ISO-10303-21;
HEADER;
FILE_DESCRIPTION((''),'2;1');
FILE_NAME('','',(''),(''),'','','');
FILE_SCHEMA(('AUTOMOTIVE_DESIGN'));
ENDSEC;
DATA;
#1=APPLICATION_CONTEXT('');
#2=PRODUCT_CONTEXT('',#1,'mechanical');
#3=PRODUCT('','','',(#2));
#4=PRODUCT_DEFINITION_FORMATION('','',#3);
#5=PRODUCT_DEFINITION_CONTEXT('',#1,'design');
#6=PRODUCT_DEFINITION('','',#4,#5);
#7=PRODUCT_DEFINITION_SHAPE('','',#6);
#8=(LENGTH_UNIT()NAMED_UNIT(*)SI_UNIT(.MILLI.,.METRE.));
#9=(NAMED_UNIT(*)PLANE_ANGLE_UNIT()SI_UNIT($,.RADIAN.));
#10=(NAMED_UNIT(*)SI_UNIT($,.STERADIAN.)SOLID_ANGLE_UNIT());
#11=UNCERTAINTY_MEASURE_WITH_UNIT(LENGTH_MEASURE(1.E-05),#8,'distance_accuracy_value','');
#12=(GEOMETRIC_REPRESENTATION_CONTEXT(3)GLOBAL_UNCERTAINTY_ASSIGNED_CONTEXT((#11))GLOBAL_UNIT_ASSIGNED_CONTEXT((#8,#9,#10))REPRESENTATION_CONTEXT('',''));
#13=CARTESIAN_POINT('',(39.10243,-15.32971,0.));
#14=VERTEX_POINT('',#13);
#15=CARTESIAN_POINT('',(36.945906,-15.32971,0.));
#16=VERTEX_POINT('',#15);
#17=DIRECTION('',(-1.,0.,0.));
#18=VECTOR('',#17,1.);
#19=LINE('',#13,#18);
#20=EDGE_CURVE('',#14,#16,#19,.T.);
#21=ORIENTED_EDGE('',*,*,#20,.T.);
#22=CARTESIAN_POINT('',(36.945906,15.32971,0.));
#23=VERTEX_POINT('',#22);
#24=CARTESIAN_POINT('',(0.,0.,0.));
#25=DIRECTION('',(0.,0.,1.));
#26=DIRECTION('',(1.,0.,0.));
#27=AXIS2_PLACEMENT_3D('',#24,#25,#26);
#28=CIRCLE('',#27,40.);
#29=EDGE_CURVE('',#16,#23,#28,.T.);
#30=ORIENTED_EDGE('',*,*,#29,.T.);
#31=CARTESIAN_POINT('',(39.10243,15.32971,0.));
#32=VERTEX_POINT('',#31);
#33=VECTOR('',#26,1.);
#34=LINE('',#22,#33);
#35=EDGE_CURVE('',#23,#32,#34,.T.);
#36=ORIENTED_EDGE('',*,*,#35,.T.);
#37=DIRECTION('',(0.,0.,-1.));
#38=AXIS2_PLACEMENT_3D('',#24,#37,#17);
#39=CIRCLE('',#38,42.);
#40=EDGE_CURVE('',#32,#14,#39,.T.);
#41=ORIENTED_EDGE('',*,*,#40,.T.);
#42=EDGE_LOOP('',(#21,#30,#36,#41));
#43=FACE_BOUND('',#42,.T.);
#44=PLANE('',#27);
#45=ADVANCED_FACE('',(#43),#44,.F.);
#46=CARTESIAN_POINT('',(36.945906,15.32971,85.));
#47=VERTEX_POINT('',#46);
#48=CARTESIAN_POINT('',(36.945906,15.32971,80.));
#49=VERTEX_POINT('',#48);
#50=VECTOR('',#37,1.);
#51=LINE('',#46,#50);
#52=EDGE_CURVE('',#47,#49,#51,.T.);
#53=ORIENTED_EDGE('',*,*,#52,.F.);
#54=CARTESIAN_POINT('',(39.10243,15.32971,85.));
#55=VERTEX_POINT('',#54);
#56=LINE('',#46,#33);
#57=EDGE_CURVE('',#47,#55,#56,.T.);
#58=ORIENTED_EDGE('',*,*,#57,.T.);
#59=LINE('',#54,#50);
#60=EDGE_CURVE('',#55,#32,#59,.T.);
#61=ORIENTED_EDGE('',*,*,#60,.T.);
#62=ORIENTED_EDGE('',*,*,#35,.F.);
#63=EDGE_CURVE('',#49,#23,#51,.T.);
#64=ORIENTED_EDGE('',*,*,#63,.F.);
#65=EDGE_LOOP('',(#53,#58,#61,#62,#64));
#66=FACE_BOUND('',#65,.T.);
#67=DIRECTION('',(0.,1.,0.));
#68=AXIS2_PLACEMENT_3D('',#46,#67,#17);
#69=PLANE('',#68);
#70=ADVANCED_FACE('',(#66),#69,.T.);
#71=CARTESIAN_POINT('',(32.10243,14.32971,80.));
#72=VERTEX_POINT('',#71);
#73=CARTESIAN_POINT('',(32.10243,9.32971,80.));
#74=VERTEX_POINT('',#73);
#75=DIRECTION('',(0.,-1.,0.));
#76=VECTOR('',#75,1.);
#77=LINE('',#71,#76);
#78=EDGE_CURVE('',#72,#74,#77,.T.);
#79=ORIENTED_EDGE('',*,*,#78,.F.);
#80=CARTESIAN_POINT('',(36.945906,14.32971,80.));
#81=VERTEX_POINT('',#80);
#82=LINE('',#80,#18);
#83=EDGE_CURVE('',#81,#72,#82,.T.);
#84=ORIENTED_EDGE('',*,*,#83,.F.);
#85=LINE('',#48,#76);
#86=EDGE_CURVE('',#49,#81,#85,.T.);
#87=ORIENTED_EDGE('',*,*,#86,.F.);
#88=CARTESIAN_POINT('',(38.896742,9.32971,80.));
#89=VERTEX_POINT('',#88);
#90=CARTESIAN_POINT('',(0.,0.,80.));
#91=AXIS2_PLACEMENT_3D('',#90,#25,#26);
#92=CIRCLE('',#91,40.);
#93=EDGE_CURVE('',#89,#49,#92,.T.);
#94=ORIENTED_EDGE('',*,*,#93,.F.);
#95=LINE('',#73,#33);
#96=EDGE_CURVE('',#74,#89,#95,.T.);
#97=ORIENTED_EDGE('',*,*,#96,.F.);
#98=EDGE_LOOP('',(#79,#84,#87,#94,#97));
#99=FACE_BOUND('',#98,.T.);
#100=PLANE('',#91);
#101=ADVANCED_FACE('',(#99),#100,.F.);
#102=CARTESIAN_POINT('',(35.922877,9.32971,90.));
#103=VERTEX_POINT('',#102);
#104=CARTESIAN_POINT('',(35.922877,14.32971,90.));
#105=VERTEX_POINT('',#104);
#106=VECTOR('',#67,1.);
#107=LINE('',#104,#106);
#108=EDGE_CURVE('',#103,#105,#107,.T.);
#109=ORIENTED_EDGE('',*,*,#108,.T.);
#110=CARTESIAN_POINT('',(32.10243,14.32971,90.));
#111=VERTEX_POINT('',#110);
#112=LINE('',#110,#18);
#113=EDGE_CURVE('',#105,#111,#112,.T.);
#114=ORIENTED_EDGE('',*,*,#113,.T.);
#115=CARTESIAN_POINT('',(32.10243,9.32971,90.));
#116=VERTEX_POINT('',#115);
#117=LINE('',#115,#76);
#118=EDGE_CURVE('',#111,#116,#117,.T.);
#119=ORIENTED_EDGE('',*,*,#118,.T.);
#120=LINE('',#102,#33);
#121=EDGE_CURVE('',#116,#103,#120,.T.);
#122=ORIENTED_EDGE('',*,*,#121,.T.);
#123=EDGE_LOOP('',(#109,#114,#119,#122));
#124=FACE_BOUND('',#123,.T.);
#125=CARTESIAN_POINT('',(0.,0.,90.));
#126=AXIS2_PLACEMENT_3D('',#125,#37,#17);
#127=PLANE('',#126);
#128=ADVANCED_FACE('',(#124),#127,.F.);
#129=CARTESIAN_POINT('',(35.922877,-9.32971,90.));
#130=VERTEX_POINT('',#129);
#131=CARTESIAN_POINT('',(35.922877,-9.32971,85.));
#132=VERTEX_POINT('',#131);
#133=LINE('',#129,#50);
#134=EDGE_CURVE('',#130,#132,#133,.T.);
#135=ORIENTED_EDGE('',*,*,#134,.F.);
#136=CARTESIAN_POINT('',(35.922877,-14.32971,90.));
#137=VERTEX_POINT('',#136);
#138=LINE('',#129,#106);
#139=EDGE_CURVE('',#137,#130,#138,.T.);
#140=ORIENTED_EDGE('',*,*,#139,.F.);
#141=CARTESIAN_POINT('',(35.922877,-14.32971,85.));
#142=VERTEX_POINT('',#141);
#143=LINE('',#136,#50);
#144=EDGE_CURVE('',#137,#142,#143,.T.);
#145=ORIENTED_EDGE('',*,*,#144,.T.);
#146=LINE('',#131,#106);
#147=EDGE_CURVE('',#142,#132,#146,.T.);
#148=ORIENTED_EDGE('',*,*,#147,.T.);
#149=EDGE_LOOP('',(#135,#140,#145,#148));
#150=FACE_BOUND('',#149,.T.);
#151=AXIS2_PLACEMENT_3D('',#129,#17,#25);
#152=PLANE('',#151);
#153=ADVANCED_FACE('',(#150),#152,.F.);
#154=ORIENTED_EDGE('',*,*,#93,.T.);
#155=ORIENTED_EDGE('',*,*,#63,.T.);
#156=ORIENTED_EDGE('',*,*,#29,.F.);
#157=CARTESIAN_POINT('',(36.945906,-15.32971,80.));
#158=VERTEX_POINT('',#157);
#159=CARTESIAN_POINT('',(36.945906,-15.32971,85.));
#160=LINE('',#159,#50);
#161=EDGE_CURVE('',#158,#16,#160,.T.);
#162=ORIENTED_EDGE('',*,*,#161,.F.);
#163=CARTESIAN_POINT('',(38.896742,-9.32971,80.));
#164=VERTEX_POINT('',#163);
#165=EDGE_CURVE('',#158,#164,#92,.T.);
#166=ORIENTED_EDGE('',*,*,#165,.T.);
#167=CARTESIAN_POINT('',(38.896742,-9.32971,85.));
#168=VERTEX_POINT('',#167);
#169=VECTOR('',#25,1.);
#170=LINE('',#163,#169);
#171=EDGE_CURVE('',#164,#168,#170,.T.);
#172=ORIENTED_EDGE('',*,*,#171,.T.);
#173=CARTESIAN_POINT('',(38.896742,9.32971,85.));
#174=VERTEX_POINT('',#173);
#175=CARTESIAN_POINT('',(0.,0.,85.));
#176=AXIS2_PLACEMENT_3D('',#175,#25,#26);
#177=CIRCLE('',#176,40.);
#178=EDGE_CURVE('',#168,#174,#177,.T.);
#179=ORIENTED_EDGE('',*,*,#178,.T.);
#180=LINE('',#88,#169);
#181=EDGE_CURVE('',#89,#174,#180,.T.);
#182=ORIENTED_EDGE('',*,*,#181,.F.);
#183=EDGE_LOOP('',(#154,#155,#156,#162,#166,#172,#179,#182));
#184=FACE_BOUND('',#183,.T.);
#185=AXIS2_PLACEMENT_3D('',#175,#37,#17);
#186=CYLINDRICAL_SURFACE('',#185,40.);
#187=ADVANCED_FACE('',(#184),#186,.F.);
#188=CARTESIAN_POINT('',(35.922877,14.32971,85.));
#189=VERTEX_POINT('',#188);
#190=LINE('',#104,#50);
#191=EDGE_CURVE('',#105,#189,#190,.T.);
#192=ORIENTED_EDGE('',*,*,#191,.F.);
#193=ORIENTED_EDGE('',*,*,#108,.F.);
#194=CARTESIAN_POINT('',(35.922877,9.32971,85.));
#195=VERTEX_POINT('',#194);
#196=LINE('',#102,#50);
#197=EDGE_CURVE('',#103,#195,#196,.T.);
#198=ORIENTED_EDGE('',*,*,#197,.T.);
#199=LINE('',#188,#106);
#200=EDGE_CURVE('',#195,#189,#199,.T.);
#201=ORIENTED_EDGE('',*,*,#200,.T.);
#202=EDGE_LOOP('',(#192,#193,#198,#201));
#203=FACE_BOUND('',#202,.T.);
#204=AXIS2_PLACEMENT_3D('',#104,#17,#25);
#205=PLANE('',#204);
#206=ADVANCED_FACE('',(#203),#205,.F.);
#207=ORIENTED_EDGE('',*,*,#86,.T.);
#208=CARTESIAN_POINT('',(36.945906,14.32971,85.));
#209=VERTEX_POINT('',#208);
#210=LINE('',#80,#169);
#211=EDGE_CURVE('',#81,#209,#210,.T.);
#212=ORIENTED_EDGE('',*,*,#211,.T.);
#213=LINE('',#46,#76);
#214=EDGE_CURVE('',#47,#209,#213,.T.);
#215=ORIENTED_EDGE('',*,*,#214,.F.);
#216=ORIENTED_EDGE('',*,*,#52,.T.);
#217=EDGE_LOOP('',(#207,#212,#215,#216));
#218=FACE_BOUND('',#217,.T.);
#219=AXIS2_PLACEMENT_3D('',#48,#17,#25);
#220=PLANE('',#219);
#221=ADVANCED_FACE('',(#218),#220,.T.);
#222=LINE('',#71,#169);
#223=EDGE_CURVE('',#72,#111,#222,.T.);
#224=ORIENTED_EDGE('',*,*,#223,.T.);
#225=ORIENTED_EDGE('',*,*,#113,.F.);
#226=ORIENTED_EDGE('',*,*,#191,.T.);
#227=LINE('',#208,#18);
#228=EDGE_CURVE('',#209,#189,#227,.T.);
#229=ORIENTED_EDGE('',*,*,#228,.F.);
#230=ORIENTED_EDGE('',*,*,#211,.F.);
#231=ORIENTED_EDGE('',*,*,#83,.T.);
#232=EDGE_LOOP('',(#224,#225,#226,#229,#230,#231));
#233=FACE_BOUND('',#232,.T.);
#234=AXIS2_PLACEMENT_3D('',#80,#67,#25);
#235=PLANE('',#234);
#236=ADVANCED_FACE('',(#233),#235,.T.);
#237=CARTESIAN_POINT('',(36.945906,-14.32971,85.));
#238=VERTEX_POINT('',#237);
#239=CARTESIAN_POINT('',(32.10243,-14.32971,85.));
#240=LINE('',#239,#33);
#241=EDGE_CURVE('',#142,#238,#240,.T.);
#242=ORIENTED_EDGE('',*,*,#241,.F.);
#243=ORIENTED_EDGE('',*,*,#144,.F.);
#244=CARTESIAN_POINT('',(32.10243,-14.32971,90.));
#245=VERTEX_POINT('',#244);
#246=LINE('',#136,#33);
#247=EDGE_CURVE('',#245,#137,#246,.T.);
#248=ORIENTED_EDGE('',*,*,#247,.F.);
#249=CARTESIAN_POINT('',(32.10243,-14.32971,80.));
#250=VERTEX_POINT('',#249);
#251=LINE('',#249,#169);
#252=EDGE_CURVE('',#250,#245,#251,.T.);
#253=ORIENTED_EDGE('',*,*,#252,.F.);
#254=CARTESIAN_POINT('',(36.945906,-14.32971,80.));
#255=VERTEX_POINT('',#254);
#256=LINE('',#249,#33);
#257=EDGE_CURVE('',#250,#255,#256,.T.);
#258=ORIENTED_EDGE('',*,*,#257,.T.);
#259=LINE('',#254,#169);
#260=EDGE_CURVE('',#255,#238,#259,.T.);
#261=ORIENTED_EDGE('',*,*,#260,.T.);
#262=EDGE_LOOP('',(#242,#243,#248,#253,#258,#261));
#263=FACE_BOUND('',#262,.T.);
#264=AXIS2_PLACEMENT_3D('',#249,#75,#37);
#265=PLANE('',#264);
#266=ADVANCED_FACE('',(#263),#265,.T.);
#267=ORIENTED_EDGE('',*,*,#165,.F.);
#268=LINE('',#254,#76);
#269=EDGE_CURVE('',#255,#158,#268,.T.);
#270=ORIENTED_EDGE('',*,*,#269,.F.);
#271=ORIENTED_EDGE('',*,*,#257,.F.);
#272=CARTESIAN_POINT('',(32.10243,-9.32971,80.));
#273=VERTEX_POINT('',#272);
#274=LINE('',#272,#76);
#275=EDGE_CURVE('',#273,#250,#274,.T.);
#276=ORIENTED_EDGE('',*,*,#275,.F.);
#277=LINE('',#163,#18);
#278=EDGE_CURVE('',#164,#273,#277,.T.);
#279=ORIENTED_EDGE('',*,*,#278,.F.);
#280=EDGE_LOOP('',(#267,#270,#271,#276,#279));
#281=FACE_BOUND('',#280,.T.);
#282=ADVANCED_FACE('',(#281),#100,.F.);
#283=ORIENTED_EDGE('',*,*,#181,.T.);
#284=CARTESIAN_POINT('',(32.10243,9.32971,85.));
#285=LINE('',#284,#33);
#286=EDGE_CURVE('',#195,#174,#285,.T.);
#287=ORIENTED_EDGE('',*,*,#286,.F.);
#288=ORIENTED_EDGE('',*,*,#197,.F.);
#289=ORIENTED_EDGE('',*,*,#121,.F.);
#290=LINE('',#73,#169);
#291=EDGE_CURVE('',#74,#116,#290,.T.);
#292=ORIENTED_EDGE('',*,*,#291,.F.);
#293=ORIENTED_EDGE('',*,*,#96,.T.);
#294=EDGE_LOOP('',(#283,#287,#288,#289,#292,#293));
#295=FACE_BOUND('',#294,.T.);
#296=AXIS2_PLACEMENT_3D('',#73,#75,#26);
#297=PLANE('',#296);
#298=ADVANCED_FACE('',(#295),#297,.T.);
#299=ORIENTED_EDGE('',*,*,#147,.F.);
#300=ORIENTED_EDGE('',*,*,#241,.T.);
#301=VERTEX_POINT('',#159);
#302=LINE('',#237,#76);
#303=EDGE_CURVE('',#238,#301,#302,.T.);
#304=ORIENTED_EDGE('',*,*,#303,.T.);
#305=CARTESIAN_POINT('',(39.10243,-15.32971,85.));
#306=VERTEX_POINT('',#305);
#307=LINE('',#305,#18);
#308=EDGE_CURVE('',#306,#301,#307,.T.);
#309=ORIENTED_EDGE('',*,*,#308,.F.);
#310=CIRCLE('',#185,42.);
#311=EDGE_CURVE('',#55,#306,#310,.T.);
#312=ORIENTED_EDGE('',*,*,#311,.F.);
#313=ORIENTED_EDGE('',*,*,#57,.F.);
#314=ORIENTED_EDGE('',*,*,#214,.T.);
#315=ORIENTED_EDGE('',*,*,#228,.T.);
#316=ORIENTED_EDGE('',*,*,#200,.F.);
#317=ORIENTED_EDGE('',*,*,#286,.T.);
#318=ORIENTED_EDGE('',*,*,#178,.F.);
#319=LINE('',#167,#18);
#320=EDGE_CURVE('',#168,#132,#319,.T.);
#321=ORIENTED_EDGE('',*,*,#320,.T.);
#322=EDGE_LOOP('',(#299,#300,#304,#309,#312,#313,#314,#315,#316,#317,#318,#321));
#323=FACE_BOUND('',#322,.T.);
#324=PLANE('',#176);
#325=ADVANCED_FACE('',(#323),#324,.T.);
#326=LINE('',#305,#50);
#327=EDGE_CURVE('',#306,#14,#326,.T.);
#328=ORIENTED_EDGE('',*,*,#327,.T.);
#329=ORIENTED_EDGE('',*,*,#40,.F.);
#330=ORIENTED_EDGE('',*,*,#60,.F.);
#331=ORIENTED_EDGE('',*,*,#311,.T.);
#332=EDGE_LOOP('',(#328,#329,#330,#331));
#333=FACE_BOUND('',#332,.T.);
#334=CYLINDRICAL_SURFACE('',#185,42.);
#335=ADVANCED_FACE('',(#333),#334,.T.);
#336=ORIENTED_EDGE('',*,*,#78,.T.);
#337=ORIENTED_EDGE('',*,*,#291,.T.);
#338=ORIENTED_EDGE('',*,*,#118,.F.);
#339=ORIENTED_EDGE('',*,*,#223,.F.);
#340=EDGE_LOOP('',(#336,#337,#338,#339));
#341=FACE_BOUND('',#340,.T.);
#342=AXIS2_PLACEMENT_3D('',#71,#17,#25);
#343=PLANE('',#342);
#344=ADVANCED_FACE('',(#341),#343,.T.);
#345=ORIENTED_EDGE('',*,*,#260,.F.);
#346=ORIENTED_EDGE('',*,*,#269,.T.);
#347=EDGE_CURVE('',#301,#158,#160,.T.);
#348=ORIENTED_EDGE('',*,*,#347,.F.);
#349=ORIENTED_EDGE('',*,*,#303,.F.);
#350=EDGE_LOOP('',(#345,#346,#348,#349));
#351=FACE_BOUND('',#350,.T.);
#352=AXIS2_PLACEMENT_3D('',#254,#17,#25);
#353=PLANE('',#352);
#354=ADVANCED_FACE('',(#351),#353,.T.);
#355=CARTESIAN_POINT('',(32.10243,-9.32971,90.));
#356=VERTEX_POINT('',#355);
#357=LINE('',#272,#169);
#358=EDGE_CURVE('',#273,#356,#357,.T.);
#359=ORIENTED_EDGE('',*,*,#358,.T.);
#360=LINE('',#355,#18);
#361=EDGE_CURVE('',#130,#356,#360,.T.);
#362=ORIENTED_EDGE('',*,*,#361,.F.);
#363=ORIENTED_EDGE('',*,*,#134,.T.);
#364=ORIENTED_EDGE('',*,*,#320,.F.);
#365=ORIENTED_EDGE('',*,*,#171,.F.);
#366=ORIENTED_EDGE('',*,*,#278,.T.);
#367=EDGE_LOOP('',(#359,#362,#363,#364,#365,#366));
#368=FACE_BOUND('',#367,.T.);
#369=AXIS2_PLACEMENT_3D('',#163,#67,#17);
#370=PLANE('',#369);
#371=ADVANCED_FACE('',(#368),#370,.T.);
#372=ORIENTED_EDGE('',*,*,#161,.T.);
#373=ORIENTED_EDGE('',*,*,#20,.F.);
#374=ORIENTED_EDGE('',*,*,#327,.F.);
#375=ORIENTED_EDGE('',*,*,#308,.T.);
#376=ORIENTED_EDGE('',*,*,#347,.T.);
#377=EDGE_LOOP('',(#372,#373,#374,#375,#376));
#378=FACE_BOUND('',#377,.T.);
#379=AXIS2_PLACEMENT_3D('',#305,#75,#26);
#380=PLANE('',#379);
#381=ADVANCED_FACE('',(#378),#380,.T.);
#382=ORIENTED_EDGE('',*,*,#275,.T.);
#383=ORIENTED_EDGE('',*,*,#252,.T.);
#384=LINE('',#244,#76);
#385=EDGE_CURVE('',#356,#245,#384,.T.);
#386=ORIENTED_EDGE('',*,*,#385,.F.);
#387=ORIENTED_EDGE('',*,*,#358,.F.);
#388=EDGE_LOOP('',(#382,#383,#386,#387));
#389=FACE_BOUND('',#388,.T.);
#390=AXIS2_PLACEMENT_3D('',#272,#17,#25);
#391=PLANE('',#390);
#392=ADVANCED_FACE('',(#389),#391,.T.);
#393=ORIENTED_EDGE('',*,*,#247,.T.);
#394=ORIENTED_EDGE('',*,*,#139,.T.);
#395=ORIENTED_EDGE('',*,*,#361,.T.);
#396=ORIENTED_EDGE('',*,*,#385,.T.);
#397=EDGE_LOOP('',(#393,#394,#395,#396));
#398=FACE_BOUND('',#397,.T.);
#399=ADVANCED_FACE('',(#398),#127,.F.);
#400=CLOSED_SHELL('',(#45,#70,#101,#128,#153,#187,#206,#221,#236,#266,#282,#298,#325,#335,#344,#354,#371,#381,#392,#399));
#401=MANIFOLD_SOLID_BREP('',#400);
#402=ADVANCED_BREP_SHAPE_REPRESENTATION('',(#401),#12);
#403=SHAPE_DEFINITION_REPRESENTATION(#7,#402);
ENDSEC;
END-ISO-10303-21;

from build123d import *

# Parameters (mm, degrees)
EXTRUDE_1_DEPTH = 85
EXTRUDE_START   = -5
EXTRUDE_2_DEPTH = 5
SKETCH_3_W      = 3.820447187
SKETCH_3_H      = 5
EXTRUDE_3_DEPTH = 5
EXTRUDE_4_DEPTH = 5
SKETCH_5_W      = 3.820447187
SKETCH_5_H      = 5
EXTRUDE_5_DEPTH = 5


with BuildPart() as part:
    # Эскиз1 → Бобышка-Вытянуть1 (new body)
    with BuildSketch(Plane(origin=(0, 0, 0), x_dir=(-1, 0, 0), z_dir=(0, 0, -1))):
        with BuildLine():
            Line((-36.94590636, 15.329709821), (-39.102429551, 15.329709821))
            ThreePointArc((-39.102429551, 15.329709821), (-42, 0), (-39.102429551, -15.329709821))
            Line((-39.102429551, -15.329709821), (-36.94590636, -15.329709821))
            ThreePointArc((-36.94590636, -15.329709821), (-40, 0), (-36.94590636, 15.329709821))
        make_face()
    extrude(amount=-EXTRUDE_1_DEPTH)

    # Эскиз2 → Бобышка-Вытянуть2 (add)
    with BuildSketch(Plane.XY.offset(85).offset(EXTRUDE_START)):
        with BuildLine():
            Line((36.94590636, 15.329709821), (36.94590636, 14.329709821))
            Line((36.94590636, 14.329709821), (32.102429551, 14.329709821))
            Line((32.102429551, 14.329709821), (32.102429551, 9.329709821))
            Line((32.102429551, 9.329709821), (38.896741697, 9.329709821))
            ThreePointArc((38.896741697, 9.329709821), (38.039805679, 12.368232853), (36.94590636, 15.329709821))
        make_face()
    extrude(amount=EXTRUDE_2_DEPTH)

    # Эскиз3 → Бобышка-Вытянуть3 (add)
    with BuildSketch(Plane.XY.offset(85)):
        with Locations((34.012653144, 11.829709821)):
            Rectangle(SKETCH_3_W, SKETCH_3_H)
    extrude(amount=EXTRUDE_3_DEPTH)

    # Эскиз4 → Бобышка-Вытянуть4 (add)
    with BuildSketch(Plane.XY.offset(85).offset(EXTRUDE_START)):
        with BuildLine():
            Line((32.102429551, -14.329709821), (36.94590636, -14.329709821))
            Line((36.94590636, -14.329709821), (36.94590636, -15.329709821))
            ThreePointArc((36.94590636, -15.329709821), (38.039805679, -12.368232853), (38.896741697, -9.329709821))
            Line((38.896741697, -9.329709821), (32.102429551, -9.329709821))
            Line((32.102429551, -9.329709821), (32.102429551, -14.329709821))
        make_face()
    extrude(amount=EXTRUDE_4_DEPTH)

    # Эскиз5 → Бобышка-Вытянуть5 (add)
    with BuildSketch(Plane.XY.offset(85)):
        with Locations((34.012653144, -11.829709821)):
            Rectangle(SKETCH_5_W, SKETCH_5_H)
    extrude(amount=EXTRUDE_5_DEPTH)


solid = part.part
